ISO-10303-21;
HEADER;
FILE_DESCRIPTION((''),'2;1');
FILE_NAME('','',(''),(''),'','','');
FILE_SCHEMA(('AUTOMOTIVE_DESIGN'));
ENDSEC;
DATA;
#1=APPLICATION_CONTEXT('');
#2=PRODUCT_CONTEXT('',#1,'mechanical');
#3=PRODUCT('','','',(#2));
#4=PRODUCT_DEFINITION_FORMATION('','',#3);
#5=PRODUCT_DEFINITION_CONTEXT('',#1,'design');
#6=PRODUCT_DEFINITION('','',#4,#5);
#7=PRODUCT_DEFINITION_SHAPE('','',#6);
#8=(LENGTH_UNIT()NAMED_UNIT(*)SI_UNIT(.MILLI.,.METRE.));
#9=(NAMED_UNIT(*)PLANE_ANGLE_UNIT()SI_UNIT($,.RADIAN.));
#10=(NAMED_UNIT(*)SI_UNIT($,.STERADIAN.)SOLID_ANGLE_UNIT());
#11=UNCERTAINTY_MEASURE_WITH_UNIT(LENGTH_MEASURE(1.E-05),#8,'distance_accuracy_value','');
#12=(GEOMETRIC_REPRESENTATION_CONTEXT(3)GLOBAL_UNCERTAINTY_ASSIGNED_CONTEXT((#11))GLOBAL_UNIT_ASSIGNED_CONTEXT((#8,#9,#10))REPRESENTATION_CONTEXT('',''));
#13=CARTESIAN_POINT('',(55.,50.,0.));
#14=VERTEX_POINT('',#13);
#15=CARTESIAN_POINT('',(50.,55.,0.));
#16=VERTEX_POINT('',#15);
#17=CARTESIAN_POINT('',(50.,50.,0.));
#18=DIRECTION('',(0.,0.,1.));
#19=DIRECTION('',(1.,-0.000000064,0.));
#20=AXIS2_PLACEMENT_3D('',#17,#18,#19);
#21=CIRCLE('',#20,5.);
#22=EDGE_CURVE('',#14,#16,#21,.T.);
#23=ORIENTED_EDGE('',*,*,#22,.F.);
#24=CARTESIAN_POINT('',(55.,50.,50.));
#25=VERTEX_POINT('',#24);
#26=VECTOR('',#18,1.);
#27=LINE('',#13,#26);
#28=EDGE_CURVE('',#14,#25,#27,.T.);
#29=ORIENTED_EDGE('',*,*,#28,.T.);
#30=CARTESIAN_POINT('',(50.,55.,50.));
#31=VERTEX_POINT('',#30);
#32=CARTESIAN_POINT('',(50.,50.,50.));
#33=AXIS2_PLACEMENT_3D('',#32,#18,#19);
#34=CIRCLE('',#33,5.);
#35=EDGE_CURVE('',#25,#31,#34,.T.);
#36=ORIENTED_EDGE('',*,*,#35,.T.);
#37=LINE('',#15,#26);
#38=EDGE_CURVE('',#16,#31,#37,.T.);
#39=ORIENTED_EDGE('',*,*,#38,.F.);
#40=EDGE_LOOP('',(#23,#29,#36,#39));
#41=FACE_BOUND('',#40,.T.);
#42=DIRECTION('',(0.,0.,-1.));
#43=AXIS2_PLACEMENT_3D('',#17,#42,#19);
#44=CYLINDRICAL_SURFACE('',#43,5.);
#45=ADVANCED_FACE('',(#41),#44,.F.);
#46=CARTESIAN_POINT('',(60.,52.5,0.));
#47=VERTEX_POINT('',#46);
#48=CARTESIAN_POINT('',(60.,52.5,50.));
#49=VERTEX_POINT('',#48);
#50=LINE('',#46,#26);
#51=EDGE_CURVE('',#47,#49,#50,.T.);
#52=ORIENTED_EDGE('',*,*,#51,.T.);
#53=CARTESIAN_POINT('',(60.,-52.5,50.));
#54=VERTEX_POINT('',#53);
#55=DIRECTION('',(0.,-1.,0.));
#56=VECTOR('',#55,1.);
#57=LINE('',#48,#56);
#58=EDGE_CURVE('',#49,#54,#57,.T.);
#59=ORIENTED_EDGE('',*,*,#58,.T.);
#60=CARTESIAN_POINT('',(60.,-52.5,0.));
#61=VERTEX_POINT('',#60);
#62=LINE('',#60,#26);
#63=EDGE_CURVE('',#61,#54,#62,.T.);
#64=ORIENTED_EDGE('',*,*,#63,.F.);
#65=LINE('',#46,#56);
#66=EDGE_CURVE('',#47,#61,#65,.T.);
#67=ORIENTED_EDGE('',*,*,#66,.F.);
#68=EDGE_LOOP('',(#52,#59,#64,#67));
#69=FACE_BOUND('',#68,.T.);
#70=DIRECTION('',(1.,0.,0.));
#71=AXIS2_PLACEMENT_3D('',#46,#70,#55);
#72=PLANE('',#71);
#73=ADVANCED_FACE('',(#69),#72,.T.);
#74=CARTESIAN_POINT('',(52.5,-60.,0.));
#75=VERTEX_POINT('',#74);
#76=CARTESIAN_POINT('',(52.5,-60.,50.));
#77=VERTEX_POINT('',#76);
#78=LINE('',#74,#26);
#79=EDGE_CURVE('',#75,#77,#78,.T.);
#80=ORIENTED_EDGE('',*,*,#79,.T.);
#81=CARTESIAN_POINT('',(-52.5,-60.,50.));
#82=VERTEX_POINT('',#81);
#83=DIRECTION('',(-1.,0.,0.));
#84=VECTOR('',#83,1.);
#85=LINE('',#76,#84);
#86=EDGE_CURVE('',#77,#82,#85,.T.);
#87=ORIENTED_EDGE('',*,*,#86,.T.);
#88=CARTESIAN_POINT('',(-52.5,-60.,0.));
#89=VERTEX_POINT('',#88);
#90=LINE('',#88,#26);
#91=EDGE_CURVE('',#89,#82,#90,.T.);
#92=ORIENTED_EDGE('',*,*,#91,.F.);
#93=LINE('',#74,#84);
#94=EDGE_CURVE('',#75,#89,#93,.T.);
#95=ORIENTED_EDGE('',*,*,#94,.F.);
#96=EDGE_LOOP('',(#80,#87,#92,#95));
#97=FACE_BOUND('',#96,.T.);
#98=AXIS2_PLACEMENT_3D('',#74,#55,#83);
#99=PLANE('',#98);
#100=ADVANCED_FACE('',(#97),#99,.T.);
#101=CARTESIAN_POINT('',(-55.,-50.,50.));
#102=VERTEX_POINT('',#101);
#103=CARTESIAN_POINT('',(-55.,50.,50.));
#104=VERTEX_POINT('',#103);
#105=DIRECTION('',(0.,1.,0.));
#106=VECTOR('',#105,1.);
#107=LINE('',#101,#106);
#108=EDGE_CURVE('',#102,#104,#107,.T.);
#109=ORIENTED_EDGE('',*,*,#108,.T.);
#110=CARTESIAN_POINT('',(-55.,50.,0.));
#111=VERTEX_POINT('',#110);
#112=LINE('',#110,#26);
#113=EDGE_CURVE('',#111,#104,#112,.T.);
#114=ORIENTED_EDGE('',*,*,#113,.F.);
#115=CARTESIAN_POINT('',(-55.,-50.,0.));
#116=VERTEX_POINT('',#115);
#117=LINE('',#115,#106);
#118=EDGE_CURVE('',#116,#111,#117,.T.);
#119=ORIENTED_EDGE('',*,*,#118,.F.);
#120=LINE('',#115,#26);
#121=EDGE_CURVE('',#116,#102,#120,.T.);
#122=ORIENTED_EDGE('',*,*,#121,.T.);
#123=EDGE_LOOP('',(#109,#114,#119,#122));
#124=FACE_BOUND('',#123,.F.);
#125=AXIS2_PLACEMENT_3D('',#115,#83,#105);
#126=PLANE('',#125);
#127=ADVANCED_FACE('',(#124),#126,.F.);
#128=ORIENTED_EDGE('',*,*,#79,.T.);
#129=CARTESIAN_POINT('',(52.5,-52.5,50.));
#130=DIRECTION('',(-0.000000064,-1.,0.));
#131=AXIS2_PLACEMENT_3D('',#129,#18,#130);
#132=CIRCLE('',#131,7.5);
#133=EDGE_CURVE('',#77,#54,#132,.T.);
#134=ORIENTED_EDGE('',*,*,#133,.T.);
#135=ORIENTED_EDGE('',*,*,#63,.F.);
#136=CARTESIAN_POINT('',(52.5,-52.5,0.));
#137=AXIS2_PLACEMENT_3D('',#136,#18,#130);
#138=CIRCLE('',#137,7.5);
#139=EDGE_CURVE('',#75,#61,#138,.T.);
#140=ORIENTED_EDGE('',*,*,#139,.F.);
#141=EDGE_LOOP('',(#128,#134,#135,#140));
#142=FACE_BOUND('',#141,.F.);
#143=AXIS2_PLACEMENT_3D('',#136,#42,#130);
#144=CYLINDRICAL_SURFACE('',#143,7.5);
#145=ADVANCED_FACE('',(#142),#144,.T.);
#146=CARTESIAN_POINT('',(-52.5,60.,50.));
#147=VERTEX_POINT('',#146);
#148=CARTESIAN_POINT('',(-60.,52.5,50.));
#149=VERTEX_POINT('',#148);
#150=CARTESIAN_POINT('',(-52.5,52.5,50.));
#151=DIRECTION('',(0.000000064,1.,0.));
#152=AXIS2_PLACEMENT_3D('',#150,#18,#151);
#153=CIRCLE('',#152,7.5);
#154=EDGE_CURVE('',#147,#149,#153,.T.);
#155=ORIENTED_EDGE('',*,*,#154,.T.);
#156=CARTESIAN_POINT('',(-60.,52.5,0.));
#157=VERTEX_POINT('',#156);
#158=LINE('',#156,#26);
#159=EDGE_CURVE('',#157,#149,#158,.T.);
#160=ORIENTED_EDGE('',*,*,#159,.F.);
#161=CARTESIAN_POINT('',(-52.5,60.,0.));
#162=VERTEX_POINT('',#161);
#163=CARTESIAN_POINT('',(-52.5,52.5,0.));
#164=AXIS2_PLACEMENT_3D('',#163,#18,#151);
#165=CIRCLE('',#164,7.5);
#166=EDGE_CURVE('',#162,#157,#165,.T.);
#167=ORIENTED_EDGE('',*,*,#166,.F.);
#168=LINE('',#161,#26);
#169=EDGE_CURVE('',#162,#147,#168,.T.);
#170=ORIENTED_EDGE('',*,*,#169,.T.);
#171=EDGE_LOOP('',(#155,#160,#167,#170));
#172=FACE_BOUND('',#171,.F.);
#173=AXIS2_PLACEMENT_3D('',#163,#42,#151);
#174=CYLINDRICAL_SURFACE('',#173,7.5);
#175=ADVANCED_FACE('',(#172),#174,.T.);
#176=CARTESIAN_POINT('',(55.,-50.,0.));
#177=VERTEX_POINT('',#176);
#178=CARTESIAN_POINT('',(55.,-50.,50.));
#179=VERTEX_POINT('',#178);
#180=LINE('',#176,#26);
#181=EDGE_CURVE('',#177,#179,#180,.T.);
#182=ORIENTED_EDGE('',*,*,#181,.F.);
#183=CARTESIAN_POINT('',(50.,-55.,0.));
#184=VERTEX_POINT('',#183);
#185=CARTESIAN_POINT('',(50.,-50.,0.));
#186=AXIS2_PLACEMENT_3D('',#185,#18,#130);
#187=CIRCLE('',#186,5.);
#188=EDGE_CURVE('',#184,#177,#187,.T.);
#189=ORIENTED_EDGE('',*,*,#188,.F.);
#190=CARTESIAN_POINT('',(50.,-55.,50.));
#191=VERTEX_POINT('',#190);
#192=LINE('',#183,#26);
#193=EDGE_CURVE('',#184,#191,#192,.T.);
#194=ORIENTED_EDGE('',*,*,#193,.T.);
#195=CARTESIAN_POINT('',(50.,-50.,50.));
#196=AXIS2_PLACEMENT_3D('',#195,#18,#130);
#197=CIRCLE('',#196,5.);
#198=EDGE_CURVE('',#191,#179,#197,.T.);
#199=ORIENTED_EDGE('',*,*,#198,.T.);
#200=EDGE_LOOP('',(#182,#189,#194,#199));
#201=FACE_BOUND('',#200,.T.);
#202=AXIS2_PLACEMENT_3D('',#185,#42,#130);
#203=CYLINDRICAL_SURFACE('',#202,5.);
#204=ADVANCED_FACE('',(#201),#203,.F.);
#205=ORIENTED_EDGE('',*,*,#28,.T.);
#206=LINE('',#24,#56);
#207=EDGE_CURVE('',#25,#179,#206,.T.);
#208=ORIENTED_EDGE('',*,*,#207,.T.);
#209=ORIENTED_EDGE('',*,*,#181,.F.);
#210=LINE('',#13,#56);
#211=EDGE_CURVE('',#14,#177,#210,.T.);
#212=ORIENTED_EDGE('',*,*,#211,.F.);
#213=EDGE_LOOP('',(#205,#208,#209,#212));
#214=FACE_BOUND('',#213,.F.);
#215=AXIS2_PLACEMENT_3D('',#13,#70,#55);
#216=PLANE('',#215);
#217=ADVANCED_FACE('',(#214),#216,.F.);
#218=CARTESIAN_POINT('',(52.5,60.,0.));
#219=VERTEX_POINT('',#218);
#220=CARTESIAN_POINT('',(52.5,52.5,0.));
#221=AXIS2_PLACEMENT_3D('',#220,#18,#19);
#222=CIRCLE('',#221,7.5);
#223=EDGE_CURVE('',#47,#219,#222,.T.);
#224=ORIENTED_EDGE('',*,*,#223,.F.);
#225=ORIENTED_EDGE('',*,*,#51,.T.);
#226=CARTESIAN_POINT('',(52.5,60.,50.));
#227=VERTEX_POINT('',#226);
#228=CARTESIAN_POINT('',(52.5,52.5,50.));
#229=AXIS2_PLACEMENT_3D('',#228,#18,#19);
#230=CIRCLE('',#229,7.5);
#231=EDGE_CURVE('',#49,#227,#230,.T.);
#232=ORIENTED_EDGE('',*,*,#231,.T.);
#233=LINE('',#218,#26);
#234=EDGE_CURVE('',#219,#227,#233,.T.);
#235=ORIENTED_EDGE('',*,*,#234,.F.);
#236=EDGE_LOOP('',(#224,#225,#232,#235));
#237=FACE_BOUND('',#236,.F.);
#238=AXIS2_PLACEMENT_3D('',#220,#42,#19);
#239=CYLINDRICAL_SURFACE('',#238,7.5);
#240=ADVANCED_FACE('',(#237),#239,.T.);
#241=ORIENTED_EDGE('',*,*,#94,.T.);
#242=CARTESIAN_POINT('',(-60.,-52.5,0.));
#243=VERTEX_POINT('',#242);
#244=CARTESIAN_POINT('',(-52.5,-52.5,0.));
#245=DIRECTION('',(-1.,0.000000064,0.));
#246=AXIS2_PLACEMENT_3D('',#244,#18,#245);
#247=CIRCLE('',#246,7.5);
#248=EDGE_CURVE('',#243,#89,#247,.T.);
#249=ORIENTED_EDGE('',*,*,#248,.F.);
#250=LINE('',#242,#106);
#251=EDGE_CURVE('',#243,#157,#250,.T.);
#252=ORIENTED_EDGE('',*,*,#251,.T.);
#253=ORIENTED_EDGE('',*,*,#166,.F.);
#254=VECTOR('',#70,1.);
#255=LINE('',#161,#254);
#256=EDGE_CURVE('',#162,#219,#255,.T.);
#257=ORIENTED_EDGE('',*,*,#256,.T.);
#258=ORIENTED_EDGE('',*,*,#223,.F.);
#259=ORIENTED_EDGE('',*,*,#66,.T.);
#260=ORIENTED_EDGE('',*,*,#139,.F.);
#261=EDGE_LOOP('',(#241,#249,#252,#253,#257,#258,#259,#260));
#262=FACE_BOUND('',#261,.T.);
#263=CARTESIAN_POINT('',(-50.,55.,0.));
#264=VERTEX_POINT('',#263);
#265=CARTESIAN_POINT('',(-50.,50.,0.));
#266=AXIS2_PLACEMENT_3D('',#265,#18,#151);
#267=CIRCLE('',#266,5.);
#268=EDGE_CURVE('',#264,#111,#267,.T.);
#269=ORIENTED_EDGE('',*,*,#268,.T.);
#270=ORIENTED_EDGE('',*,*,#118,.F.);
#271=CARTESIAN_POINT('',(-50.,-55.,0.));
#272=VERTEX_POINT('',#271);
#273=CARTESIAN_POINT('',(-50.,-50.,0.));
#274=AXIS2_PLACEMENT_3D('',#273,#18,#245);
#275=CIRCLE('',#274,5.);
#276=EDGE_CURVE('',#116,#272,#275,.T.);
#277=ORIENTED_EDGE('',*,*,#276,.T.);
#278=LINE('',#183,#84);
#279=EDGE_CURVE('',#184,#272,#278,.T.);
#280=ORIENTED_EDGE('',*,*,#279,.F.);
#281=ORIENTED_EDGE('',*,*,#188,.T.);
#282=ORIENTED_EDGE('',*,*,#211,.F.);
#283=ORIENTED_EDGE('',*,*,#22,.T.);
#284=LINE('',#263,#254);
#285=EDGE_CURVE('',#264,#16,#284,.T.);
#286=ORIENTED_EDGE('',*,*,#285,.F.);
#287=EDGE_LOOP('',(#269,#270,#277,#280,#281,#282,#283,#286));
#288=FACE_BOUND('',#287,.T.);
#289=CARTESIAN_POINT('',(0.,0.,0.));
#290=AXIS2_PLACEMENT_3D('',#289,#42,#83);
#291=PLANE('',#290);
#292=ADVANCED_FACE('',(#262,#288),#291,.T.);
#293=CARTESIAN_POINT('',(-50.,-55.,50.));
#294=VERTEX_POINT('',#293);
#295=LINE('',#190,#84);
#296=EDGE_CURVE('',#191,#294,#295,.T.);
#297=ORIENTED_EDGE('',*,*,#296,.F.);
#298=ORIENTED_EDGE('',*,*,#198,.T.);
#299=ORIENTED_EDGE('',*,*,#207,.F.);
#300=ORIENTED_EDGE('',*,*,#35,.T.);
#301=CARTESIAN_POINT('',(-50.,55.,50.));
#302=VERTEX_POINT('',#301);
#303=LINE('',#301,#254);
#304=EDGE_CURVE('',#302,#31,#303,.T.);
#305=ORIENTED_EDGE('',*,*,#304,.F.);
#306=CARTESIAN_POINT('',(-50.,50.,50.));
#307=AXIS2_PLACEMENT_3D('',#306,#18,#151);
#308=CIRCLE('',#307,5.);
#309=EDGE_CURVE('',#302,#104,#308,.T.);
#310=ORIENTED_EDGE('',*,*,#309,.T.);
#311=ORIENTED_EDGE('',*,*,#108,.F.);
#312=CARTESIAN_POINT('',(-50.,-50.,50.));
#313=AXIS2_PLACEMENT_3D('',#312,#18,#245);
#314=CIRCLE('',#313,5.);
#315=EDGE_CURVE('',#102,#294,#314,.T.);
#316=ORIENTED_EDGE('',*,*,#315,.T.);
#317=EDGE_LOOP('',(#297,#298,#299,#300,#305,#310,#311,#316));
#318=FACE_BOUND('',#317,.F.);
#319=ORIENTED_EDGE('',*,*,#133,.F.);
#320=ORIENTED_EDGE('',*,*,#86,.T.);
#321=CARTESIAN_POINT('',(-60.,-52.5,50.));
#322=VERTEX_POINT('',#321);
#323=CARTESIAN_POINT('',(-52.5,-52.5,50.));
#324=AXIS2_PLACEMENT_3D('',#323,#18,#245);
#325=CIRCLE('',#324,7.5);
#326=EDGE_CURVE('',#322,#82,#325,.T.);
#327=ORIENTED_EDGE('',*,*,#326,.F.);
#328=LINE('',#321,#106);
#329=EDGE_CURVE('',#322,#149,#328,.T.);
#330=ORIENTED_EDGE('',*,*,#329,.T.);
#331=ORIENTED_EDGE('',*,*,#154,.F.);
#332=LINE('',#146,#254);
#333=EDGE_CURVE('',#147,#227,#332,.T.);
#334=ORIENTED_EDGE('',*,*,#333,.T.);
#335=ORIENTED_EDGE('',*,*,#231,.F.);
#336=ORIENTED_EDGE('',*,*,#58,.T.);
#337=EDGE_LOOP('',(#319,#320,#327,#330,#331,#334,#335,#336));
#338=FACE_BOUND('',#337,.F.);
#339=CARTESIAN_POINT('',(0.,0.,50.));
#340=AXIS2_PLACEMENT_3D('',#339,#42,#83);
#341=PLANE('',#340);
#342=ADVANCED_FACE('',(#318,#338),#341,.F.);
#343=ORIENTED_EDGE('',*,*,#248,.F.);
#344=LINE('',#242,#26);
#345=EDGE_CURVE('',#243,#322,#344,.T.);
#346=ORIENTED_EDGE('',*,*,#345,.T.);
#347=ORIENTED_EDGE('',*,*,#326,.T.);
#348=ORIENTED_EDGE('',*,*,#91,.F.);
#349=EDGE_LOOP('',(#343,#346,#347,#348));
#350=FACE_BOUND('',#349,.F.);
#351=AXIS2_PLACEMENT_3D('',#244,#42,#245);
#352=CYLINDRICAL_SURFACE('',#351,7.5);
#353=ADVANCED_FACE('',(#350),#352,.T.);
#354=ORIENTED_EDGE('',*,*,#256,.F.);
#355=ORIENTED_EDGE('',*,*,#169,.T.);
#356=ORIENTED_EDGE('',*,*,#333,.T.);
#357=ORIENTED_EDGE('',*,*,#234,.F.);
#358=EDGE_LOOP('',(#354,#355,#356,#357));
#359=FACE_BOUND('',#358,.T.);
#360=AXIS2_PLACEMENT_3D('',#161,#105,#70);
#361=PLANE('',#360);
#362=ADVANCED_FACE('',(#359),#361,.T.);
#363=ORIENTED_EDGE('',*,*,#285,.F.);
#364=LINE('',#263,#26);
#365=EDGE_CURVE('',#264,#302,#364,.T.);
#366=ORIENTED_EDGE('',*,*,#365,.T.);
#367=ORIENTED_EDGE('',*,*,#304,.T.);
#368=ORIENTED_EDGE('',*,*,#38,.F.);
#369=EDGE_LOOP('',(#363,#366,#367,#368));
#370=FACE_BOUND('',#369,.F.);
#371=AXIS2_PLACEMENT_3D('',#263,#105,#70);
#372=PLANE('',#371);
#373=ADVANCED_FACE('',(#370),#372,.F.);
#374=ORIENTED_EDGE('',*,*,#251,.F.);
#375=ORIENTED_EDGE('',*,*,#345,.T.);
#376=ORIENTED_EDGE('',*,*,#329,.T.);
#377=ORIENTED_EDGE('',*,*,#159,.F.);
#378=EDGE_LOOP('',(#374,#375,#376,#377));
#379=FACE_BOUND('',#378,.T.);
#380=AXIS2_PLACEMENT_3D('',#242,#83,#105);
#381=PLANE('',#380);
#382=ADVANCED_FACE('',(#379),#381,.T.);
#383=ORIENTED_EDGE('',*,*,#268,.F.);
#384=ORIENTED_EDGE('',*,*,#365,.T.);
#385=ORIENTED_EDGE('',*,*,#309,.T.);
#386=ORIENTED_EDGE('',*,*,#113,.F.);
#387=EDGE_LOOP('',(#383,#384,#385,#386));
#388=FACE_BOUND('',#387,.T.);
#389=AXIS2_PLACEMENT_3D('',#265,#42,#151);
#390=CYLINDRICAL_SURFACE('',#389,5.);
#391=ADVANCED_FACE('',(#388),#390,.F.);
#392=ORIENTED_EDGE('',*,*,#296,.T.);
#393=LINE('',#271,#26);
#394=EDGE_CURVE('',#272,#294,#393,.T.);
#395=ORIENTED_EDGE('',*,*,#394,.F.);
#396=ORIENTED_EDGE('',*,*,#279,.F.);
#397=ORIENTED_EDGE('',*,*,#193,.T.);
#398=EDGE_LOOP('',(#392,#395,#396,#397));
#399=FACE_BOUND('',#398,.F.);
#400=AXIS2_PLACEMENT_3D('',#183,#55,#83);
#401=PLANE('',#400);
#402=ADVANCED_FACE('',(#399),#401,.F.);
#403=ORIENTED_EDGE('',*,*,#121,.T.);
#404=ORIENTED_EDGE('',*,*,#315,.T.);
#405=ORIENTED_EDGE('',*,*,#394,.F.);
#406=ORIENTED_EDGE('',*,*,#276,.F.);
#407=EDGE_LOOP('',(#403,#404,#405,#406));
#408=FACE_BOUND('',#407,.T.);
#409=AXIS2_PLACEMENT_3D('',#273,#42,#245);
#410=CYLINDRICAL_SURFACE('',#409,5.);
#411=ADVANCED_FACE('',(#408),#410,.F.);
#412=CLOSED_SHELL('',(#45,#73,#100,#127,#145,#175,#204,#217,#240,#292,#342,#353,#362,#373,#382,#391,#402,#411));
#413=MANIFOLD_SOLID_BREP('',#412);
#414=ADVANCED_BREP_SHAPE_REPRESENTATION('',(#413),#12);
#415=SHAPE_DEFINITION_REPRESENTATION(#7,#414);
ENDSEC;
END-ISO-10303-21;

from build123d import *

# Parameters (mm, degrees)
EXTRUDE_DEPTH = 50


with BuildPart() as part:
    # Sketch → Extrude (new body)
    with BuildSketch(Plane.XY):
        with BuildLine():
            Line((-52.5, 60), (52.5, 60))
            ThreePointArc((60, 52.5), (57.803301, 57.803301), (52.5, 60))
            Line((60, 52.5), (60, -52.5))
            ThreePointArc((52.5, -60), (57.803301, -57.803301), (60, -52.5))
            Line((52.5, -60), (-52.5, -60))
            ThreePointArc((-60, -52.5), (-57.803301, -57.803301), (-52.5, -60))
            Line((-60, -52.5), (-60, 52.5))
            ThreePointArc((-52.5, 60), (-57.803301, 57.803301), (-60, 52.5))
        make_face()
        with BuildLine():
            Line((-50, 55), (50, 55))
            ThreePointArc((55, 50), (53.535534, 53.535534), (50, 55))
            Line((55, 50), (55, -50))
            ThreePointArc((50, -55), (53.535534, -53.535534), (55, -50))
            Line((50, -55), (-50, -55))
            ThreePointArc((-55, -50), (-53.535534, -53.535534), (-50, -55))
            Line((-55, -50), (-55, 50))
            ThreePointArc((-50, 55), (-53.535534, 53.535534), (-55, 50))
        make_face(mode=Mode.SUBTRACT)
    extrude(amount=EXTRUDE_DEPTH)


solid = part.part
